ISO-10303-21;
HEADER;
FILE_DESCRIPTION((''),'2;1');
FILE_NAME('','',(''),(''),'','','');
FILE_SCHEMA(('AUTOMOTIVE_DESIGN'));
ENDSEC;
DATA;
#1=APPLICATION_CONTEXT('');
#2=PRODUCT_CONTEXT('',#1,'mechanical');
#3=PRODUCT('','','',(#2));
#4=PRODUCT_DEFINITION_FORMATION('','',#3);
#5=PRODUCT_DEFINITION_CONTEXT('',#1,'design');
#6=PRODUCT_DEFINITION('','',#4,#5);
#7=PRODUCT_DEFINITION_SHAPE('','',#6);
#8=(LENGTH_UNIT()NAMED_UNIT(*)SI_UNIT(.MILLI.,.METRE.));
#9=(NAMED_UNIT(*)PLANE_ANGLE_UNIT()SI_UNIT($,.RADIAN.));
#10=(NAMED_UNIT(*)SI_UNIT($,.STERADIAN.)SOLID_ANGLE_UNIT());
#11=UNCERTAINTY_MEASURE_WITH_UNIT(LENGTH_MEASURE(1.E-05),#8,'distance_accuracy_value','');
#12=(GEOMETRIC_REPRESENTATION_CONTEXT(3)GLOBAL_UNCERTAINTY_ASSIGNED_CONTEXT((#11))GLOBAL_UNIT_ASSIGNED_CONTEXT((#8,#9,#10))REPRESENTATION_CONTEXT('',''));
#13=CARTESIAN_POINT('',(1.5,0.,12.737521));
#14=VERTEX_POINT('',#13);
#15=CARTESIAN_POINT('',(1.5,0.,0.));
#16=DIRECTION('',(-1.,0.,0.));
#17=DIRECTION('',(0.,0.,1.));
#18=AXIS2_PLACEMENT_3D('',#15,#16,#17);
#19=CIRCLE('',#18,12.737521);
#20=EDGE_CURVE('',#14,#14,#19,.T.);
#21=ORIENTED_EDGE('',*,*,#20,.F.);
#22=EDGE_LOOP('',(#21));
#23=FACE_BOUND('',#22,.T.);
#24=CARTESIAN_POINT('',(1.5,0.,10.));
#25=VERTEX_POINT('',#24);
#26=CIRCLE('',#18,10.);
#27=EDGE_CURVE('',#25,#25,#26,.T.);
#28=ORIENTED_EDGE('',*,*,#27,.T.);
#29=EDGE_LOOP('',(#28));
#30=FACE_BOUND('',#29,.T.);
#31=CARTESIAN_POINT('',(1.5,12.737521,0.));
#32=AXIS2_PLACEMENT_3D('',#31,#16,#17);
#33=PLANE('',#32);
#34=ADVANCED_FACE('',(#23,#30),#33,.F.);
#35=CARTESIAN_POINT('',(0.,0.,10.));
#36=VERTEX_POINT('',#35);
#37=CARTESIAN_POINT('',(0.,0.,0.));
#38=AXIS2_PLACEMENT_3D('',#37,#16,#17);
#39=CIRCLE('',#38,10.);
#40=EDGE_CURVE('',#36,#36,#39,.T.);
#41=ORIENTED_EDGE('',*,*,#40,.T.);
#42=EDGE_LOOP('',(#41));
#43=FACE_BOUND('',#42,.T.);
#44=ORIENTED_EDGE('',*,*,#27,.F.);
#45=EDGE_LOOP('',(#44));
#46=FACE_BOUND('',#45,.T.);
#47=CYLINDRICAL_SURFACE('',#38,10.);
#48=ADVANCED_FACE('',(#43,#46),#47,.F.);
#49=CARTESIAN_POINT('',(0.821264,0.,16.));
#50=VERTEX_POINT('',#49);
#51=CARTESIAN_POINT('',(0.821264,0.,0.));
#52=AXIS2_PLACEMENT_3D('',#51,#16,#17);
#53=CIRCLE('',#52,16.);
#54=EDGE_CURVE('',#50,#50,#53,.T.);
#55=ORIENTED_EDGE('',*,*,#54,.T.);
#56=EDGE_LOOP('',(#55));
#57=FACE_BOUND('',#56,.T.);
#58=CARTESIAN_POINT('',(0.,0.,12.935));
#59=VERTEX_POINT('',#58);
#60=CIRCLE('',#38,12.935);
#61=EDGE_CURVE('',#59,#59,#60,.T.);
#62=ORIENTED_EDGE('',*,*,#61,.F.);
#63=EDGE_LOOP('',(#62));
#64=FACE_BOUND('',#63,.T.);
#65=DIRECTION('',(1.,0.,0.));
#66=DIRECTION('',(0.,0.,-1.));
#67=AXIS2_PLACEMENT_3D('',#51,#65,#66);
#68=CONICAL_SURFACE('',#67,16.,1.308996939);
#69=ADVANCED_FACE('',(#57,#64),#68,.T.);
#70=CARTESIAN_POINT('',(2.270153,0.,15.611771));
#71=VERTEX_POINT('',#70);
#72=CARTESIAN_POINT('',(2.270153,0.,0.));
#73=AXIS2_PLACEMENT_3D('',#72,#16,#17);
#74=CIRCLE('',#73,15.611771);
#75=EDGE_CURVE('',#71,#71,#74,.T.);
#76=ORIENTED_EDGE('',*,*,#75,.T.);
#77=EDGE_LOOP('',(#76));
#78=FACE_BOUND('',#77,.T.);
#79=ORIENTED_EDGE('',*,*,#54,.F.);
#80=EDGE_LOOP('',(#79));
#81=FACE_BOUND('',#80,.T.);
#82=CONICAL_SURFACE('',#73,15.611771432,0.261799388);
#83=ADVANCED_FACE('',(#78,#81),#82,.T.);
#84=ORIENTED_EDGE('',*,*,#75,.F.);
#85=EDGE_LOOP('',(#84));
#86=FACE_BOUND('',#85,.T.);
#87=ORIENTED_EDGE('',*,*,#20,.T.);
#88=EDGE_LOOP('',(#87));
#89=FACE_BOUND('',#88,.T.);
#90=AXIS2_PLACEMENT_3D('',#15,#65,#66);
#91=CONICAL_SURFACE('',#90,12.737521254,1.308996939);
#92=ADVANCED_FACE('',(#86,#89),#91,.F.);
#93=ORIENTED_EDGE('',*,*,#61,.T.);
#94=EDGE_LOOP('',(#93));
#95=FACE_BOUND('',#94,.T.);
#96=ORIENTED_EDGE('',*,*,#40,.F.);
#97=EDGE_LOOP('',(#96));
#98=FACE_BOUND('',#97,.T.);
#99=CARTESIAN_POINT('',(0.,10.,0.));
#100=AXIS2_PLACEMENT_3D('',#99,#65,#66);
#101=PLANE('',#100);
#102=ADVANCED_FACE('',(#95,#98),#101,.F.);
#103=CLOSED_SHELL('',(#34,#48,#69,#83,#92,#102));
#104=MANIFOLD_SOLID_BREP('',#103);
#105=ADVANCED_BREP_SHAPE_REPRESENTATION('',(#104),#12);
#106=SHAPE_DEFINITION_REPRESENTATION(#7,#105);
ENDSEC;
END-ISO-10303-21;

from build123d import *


with BuildPart() as part:
    # Sketch1 → Revolve1 (revolve)
    with BuildSketch(Plane.XY, mode=Mode.PRIVATE) as revolve1_sk:
        Polygon((0, 10), (0, 12.935), (0.821264275, 16), (2.270153014, 15.611771432), (1.5, 12.737521254), (1.5, 10), align=None)
    revolve(revolve1_sk.sketch.rotate(Axis((0, 0, 0), (1, 0, 0)), 90), axis=Axis((0, 0, 0), (1, 0, 0)))


solid = part.part
